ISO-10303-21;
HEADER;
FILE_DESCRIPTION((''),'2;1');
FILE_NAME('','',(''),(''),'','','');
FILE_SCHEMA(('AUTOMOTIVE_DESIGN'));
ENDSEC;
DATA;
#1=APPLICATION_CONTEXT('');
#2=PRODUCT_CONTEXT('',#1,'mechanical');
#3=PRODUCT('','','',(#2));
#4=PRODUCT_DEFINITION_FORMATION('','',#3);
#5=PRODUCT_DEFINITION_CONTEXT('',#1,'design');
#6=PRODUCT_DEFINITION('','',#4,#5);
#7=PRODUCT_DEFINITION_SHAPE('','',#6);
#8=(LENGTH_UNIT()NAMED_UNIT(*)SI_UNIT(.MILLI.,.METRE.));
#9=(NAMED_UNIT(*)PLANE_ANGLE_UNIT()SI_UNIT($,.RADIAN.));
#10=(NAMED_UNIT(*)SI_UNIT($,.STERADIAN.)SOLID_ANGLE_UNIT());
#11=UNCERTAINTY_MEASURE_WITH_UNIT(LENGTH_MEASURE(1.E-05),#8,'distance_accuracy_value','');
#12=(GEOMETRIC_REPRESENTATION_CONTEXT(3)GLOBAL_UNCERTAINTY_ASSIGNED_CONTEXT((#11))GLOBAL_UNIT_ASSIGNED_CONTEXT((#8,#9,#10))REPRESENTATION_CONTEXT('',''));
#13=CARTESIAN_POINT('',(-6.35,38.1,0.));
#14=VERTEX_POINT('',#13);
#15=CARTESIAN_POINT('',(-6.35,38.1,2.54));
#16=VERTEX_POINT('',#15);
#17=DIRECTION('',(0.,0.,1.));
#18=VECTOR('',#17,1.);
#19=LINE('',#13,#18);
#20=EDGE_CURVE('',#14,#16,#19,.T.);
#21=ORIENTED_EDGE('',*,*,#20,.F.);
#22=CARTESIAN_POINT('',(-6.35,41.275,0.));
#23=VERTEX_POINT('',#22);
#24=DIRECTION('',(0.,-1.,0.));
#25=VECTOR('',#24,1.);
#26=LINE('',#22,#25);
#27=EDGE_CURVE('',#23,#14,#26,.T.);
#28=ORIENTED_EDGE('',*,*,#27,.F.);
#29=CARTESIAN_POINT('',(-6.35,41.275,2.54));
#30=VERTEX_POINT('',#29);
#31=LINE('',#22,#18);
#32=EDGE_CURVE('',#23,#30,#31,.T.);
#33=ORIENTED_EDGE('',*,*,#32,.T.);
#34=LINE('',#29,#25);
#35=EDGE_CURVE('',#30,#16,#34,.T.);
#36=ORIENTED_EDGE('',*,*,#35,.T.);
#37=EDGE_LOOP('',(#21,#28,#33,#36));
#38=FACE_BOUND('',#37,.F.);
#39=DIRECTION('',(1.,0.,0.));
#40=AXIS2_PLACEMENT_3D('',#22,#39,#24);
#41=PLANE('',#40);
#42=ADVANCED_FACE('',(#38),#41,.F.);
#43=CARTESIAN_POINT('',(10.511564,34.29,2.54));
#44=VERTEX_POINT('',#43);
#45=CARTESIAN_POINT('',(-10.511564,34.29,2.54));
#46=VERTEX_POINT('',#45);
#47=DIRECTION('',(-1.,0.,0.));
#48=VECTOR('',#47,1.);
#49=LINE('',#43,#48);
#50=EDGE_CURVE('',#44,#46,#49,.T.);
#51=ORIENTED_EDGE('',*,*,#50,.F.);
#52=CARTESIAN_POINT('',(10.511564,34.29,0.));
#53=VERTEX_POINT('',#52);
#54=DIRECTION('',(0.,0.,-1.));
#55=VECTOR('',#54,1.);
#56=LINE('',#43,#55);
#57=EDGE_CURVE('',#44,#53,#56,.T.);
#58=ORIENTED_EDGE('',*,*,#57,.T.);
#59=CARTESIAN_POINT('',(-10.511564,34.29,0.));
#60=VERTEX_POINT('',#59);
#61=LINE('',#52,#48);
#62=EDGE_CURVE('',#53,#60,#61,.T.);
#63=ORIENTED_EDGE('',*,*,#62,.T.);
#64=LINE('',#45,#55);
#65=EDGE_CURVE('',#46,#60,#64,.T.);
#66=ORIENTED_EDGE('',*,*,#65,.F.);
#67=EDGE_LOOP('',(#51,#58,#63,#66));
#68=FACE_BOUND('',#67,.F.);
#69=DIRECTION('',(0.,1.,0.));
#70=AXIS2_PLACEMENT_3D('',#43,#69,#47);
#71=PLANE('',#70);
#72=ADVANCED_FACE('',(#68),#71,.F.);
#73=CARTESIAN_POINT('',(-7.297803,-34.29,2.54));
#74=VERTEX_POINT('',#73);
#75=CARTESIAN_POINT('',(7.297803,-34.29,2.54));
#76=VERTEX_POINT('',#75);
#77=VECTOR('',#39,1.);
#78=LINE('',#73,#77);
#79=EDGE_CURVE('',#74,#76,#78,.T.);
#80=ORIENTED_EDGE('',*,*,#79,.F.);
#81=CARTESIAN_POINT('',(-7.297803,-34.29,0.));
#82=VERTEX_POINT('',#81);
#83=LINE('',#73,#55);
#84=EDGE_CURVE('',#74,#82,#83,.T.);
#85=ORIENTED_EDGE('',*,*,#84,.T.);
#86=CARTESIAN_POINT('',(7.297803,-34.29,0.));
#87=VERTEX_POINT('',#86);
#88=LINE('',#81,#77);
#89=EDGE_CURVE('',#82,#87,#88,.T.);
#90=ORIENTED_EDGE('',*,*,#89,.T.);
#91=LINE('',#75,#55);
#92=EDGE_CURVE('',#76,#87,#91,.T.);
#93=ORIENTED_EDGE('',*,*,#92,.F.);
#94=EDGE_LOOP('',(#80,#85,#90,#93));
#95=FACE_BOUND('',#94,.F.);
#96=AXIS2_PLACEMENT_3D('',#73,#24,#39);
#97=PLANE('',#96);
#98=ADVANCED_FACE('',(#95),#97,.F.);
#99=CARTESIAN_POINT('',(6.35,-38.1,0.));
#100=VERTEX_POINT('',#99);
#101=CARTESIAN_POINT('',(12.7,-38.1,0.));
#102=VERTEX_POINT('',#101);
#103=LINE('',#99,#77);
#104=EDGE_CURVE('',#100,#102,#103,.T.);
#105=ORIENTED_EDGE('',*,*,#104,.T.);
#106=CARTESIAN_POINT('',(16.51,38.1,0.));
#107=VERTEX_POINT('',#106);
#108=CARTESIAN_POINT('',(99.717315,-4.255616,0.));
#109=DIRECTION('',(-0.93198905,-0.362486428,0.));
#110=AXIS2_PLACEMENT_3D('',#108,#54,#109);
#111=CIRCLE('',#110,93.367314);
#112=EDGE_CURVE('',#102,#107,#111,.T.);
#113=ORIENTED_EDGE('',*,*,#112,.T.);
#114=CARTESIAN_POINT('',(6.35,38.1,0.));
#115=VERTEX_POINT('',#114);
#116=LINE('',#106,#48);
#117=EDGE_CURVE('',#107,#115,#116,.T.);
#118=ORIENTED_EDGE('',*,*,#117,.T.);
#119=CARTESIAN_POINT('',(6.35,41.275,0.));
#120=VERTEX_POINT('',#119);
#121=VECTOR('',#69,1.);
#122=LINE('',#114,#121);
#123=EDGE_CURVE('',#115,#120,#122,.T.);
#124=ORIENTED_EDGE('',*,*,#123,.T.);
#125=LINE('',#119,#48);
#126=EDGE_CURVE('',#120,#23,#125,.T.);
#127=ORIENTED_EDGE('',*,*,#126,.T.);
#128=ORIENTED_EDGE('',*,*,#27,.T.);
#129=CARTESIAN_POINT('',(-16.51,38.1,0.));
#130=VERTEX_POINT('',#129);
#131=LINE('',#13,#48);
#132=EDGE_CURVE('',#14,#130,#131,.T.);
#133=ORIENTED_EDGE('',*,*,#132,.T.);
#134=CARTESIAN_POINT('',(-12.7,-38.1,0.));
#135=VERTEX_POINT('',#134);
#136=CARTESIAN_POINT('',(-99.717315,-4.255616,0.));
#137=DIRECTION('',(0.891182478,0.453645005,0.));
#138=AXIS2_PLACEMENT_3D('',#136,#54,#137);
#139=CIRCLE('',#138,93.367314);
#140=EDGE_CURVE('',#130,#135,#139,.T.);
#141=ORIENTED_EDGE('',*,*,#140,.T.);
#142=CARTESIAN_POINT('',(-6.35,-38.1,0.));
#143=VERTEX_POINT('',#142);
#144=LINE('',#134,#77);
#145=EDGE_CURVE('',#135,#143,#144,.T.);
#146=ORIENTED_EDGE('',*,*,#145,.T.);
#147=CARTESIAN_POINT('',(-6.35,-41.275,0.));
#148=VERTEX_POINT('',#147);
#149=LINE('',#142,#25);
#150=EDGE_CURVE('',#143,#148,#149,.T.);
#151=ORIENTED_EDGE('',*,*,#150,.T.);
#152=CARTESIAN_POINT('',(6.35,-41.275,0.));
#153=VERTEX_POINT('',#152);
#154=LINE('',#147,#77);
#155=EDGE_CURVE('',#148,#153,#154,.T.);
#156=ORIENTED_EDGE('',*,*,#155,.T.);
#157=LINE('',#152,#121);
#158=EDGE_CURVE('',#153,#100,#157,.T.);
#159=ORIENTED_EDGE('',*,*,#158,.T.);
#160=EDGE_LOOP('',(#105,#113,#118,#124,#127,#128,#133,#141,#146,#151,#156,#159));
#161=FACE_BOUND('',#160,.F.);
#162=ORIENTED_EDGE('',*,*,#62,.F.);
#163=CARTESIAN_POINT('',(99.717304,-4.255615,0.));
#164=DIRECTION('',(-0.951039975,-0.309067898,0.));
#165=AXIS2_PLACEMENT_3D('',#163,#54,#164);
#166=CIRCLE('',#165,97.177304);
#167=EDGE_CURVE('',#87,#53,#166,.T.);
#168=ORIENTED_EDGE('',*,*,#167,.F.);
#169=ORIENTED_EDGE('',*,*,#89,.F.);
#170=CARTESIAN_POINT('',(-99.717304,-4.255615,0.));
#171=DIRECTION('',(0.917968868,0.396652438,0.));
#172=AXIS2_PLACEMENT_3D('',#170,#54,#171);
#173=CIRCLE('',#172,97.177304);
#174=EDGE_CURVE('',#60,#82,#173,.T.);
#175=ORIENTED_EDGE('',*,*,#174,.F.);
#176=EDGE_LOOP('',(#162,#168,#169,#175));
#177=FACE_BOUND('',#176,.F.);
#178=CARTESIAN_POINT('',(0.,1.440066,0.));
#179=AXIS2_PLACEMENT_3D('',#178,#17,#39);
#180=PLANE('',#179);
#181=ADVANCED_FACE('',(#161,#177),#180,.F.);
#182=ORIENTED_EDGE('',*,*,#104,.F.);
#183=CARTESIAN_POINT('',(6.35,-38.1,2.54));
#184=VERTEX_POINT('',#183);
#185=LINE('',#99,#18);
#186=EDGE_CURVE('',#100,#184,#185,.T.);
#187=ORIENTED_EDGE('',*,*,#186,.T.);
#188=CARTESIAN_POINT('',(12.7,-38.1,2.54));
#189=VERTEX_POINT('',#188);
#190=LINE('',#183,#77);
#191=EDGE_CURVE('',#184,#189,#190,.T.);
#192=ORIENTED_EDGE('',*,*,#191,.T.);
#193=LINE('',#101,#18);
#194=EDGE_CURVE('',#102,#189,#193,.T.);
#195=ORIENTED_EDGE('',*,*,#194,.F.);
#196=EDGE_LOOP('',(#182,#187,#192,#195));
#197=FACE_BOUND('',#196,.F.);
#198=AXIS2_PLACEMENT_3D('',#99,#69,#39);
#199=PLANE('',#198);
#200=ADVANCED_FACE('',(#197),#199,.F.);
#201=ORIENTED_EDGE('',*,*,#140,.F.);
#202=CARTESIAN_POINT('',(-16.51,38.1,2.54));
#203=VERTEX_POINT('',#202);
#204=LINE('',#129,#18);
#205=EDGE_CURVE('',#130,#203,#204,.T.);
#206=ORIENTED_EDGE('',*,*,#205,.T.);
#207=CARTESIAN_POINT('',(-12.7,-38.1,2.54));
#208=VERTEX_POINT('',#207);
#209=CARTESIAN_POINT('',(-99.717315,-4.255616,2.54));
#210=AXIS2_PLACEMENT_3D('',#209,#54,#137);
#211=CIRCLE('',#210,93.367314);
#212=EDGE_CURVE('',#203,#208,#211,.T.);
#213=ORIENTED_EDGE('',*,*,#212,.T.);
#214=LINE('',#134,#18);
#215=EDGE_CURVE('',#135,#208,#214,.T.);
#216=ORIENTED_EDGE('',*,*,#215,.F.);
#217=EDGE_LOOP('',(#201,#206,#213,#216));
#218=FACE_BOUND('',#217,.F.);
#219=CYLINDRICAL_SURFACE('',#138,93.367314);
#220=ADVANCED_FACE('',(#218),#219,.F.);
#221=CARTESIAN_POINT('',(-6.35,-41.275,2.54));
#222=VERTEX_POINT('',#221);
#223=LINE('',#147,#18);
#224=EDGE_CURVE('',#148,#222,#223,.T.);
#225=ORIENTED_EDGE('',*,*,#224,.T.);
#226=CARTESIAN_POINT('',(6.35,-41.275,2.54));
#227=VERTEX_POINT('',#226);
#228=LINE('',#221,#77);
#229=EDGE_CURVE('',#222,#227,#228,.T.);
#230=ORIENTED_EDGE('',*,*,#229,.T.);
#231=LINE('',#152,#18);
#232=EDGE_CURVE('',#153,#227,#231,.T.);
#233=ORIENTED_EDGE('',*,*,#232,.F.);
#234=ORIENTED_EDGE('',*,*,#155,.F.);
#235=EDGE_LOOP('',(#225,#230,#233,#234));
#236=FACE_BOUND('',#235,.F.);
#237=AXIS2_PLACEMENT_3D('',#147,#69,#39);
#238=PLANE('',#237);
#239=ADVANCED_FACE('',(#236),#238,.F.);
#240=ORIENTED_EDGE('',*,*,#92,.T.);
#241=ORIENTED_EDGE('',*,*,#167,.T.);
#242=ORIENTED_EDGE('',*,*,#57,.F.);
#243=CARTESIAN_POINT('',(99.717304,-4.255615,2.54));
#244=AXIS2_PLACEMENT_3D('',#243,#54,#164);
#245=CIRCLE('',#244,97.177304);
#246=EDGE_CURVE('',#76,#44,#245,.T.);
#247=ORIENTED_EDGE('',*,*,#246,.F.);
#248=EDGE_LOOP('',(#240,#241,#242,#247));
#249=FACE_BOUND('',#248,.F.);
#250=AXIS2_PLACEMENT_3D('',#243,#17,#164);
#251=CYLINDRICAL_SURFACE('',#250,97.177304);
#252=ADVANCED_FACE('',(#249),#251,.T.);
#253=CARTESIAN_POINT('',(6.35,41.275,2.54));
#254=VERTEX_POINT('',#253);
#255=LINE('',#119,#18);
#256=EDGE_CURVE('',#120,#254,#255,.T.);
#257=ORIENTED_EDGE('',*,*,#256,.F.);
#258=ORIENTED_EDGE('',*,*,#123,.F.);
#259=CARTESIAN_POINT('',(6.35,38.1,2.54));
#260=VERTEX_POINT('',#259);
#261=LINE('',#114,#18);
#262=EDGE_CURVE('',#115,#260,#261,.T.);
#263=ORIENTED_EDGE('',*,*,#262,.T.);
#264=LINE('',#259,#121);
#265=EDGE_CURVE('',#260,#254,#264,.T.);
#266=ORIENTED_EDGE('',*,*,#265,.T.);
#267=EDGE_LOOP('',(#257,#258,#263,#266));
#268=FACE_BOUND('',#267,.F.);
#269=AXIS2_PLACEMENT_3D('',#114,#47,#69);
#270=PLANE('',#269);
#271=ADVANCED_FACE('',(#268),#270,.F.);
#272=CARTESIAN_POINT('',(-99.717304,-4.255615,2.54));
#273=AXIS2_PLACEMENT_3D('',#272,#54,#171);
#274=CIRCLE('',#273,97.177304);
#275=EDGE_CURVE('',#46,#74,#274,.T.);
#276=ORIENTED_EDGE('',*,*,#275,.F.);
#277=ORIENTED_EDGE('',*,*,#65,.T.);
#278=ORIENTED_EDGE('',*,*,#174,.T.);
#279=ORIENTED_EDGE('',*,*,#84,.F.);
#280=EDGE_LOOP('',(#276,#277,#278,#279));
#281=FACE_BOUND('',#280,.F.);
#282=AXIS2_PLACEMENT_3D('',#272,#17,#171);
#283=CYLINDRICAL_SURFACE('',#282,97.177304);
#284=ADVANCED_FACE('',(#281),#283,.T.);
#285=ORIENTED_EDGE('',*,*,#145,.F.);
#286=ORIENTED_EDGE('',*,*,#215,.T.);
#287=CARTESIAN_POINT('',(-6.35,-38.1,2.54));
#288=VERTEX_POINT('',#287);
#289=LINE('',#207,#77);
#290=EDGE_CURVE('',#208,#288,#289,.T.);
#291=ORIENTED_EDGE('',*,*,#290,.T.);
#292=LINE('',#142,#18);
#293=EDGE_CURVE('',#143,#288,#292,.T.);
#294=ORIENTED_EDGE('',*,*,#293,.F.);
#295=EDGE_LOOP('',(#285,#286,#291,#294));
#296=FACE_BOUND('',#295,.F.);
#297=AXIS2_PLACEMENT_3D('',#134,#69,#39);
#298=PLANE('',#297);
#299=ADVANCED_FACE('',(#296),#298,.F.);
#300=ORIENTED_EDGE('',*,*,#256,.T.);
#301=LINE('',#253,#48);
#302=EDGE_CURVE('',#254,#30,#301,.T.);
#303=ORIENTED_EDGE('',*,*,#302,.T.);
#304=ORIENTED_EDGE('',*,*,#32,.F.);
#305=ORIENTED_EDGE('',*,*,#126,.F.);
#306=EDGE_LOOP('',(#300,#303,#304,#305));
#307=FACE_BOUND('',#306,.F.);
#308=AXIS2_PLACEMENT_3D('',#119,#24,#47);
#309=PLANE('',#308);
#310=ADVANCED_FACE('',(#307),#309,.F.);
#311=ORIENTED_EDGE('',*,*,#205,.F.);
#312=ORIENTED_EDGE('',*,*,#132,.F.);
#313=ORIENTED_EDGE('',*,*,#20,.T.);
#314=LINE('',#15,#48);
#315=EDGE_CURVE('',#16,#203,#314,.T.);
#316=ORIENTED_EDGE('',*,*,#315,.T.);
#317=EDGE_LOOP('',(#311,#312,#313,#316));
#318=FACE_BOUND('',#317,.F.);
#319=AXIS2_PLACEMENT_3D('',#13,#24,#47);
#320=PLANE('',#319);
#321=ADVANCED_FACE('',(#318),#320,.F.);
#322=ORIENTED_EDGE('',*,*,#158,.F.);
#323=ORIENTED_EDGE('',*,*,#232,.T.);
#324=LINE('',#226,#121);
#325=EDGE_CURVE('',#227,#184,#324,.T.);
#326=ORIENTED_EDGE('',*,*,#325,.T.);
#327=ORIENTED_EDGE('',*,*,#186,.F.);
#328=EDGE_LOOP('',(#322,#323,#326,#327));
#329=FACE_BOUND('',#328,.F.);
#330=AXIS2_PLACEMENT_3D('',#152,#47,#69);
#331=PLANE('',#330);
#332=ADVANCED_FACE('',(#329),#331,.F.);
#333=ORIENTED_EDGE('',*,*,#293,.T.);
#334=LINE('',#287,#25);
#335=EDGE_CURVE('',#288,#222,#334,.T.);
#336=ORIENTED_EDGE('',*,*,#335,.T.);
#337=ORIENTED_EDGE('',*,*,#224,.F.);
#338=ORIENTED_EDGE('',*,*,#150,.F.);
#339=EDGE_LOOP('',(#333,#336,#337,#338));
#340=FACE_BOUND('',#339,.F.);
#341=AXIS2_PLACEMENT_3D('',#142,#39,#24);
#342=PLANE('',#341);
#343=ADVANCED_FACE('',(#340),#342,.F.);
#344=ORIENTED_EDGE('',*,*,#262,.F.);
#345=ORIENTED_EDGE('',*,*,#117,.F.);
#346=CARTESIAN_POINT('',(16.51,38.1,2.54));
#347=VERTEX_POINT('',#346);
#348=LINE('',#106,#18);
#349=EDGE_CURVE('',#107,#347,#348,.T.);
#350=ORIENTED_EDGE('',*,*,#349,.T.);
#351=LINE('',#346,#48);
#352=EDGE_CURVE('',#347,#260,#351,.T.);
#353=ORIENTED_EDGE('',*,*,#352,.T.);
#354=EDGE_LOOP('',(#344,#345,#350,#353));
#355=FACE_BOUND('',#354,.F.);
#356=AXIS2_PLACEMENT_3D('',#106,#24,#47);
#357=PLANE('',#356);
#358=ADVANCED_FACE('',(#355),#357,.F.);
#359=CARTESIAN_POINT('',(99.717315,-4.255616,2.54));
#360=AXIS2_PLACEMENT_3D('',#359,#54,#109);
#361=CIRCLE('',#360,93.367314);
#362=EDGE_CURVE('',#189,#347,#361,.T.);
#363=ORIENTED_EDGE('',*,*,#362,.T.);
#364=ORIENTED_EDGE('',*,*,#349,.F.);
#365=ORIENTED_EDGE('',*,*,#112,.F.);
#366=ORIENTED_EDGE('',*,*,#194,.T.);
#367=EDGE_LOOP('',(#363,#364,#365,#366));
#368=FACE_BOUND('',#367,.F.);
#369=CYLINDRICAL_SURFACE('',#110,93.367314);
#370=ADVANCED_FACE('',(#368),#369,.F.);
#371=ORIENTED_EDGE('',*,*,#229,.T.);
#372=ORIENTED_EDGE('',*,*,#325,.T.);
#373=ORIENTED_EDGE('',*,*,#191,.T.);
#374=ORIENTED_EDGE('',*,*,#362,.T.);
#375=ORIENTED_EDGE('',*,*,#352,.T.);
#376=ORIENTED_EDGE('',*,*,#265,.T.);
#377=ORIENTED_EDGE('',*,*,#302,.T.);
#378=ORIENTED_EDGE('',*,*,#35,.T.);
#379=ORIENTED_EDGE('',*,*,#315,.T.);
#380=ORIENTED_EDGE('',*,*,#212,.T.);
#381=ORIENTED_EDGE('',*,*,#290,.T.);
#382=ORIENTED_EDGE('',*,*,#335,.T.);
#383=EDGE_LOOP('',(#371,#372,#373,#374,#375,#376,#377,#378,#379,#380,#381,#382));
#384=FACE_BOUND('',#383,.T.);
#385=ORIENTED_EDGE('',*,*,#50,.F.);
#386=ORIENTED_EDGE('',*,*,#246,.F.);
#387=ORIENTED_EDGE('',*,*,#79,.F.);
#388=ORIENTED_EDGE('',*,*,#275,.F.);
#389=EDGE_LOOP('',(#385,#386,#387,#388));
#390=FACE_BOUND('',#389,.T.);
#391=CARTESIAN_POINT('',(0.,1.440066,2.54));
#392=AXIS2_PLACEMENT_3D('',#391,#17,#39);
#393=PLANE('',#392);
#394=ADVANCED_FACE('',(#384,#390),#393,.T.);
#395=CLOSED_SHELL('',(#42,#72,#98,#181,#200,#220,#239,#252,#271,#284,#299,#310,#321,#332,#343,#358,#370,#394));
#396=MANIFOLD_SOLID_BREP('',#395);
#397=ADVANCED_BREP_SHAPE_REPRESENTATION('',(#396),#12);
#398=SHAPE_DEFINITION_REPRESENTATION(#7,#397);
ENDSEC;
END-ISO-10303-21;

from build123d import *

# Parameters (mm, degrees)
F1_DEPTH = 2.54
F3_DEPTH = 2.54


with BuildPart() as f1:
    # F0 (on Top) → F1 (new body)
    with BuildSketch(Plane.XY):
        with BuildLine():
            ThreePointArc((-16.51, 38.1), (-6.466491, 0.406925), (-12.7, -38.1))
            Line((-12.7, -38.1), (-6.35, -38.1))
            Line((-6.35, -38.1), (-6.35, -41.275))
            Line((-6.35, -41.275), (6.35, -41.275))
            Line((6.35, -41.275), (6.35, -38.1))
            Line((6.35, -38.1), (12.7, -38.1))
            ThreePointArc((12.7, -38.1), (6.466491, 0.406925), (16.51, 38.1))
            Line((16.51, 38.1), (6.35, 38.1))
            Line((6.35, 38.1), (6.35, 41.275))
            Line((6.35, 41.275), (-6.35, 41.275))
            Line((-6.35, 41.275), (-6.35, 38.1))
            Line((-6.35, 38.1), (-16.51, 38.1))
        make_face()
    extrude(amount=F1_DEPTH)

    # F2 (on face) → F3 (cut, through all)
    with BuildSketch(Plane.XY.offset(2.54)):
        with BuildLine():
            ThreePointArc((-10.511564, 34.29), (-2.646525, 0.293267), (-7.297803, -34.29))
            Line((-7.297803, -34.29), (7.297803, -34.29))
            ThreePointArc((7.297803, -34.29), (2.646525, 0.293267), (10.511564, 34.29))
            Line((10.511564, 34.29), (-10.511564, 34.29))
        make_face()
    extrude(amount=-F3_DEPTH, mode=Mode.SUBTRACT)


solid = f1.part
